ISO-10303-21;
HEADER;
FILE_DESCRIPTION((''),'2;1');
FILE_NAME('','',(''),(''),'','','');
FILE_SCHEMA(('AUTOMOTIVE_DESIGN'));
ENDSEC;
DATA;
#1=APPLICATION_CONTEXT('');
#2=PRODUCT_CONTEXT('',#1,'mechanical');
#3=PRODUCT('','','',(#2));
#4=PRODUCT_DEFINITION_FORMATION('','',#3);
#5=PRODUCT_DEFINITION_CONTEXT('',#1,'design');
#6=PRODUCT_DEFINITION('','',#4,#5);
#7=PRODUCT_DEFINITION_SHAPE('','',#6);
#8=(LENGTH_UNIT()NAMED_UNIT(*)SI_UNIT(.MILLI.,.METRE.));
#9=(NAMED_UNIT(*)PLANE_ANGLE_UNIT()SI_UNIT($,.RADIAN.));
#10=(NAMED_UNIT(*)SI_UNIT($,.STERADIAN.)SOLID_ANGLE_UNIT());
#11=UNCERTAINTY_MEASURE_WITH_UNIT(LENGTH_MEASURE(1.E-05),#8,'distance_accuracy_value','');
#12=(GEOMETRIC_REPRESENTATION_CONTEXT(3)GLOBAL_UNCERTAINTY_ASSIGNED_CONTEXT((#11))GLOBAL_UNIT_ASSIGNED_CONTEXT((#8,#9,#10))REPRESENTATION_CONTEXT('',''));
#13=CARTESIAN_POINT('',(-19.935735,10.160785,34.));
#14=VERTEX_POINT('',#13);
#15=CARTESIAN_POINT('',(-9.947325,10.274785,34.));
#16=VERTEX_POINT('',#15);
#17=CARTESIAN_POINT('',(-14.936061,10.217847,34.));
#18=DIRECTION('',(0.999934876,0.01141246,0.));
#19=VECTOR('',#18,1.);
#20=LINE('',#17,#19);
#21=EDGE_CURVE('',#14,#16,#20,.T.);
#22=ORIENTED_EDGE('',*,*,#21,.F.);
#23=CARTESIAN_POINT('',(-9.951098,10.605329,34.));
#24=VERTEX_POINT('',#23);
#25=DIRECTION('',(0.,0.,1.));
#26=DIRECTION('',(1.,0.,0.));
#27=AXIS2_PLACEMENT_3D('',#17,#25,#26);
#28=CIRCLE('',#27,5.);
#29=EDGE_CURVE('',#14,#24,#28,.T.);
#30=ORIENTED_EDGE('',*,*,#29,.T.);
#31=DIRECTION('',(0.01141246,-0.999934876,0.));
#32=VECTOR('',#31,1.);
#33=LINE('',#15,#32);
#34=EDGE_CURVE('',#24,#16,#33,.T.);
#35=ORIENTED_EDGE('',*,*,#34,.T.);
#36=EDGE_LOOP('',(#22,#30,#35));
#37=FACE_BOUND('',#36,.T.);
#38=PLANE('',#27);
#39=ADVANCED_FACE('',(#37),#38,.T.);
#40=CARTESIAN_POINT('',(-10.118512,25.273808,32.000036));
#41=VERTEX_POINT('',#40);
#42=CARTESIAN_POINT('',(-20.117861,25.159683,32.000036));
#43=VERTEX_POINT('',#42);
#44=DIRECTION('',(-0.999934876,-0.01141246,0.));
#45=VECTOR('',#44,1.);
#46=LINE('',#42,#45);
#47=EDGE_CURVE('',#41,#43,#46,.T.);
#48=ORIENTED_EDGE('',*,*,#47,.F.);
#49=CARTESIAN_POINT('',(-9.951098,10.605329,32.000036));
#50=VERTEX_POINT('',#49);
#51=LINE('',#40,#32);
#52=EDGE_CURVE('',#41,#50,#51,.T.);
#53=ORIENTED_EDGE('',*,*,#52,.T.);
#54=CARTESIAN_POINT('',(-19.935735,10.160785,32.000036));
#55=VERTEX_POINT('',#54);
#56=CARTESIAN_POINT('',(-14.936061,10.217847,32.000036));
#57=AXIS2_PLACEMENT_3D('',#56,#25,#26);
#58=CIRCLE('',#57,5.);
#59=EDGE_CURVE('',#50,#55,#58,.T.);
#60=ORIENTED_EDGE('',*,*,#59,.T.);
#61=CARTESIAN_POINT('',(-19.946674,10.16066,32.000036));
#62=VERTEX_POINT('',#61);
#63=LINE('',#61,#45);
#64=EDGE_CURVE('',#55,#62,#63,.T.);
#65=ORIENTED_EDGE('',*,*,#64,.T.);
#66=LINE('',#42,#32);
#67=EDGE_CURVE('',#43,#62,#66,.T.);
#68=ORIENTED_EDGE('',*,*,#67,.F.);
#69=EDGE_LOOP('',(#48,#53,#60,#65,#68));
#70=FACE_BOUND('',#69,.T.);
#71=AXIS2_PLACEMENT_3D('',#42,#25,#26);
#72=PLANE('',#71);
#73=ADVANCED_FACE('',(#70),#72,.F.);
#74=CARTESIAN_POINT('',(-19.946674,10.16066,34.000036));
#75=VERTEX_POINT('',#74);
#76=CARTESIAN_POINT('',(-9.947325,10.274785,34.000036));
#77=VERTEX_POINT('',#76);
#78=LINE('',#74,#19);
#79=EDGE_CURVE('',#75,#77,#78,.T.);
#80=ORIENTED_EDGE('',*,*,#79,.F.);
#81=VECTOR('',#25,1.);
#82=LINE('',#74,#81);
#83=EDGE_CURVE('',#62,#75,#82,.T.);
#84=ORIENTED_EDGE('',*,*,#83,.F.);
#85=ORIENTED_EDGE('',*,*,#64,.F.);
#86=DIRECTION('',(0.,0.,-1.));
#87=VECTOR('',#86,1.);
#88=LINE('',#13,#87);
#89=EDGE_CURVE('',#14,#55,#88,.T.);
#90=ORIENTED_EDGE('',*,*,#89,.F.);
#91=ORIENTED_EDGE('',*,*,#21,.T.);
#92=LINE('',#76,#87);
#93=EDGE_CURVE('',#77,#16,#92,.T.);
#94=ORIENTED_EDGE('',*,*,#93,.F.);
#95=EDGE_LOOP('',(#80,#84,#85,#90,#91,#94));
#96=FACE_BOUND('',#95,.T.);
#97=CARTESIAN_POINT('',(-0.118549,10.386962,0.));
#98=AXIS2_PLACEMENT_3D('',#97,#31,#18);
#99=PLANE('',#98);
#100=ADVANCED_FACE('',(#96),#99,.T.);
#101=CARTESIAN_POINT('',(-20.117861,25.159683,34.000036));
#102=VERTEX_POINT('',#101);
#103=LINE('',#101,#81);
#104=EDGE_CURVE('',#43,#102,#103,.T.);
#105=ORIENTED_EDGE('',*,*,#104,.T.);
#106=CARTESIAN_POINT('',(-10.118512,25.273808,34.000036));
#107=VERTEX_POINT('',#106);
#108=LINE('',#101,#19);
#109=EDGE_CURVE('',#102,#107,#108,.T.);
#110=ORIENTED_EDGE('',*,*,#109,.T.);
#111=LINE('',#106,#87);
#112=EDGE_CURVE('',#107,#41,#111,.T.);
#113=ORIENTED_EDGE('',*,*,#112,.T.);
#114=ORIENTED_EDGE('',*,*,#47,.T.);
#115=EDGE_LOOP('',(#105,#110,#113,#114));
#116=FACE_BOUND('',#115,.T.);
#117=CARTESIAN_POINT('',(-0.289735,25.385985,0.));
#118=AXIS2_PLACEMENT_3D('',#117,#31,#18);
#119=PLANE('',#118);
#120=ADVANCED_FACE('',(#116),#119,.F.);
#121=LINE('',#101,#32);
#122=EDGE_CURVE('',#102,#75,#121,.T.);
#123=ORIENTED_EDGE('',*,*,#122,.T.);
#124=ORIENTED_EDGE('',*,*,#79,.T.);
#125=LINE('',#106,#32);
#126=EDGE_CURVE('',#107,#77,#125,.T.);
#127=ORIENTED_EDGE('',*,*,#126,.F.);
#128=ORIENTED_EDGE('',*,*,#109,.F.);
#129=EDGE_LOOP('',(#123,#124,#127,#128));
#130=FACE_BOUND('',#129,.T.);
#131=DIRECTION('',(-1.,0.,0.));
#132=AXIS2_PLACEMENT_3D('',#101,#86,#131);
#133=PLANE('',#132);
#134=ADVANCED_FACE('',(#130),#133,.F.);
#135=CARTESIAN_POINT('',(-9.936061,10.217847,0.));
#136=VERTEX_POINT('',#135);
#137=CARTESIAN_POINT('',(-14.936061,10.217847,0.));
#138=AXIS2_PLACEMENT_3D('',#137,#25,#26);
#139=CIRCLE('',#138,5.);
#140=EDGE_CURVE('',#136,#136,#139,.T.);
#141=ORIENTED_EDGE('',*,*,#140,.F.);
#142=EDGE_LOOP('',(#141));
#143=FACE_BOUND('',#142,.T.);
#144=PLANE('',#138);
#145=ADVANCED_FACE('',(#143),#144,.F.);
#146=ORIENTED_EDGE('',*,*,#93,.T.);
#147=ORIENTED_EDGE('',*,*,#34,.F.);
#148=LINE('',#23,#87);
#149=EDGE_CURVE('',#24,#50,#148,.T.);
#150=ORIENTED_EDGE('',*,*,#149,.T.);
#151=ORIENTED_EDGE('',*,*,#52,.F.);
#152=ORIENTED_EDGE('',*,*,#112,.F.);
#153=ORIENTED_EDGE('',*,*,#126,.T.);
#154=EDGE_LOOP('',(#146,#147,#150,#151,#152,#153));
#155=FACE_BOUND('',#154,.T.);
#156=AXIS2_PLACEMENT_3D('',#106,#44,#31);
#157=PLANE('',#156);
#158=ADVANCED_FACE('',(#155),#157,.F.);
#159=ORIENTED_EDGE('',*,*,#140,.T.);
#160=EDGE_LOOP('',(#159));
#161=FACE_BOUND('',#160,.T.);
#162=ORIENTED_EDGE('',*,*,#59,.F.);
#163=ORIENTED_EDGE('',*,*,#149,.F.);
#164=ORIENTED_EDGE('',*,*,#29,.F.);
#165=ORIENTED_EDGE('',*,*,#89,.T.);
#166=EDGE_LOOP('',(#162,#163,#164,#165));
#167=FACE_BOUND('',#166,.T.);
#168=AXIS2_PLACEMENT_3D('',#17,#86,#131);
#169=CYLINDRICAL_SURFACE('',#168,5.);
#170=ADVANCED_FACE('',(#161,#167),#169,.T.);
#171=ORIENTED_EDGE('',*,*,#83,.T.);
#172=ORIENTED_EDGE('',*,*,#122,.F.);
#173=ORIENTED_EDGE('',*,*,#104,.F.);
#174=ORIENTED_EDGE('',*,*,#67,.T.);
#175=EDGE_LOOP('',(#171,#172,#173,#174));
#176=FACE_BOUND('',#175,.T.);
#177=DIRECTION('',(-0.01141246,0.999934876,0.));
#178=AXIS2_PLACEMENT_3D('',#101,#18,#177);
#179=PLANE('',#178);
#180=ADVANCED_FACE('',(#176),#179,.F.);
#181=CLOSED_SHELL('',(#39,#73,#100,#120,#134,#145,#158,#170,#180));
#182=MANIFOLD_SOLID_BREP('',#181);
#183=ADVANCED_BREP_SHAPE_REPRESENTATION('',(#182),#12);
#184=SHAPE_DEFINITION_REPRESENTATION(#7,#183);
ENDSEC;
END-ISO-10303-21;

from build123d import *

# Parameters (mm, degrees)
SKETCH1_R           = 5
BOSS_EXTRUDE1_DEPTH = 34
SKETCH3_W           = 10
SKETCH3_H           = 2
BOSS_EXTRUDE2_DEPTH = 15


with BuildPart() as part:
    # Sketch1 → Boss-Extrude1 (new body)
    with BuildSketch(Plane.XY):
        with Locations((-14.936060675, 10.217847077)):
            Circle(SKETCH1_R)
    extrude(amount=BOSS_EXTRUDE1_DEPTH)

    # Sketch3 → Boss-Extrude2 (add)
    with BuildSketch(Plane(origin=(-0.118548513, 10.386962355, 0), x_dir=(0.9999348757579138, 0.011412459989218575, 0), z_dir=(-0.011412459989218575, 0.999934875757914, 0))):
        with Locations((-14.829416568, -33.000036039)):
            Rectangle(SKETCH3_W, SKETCH3_H)
    extrude(amount=BOSS_EXTRUDE2_DEPTH)


solid = part.part
